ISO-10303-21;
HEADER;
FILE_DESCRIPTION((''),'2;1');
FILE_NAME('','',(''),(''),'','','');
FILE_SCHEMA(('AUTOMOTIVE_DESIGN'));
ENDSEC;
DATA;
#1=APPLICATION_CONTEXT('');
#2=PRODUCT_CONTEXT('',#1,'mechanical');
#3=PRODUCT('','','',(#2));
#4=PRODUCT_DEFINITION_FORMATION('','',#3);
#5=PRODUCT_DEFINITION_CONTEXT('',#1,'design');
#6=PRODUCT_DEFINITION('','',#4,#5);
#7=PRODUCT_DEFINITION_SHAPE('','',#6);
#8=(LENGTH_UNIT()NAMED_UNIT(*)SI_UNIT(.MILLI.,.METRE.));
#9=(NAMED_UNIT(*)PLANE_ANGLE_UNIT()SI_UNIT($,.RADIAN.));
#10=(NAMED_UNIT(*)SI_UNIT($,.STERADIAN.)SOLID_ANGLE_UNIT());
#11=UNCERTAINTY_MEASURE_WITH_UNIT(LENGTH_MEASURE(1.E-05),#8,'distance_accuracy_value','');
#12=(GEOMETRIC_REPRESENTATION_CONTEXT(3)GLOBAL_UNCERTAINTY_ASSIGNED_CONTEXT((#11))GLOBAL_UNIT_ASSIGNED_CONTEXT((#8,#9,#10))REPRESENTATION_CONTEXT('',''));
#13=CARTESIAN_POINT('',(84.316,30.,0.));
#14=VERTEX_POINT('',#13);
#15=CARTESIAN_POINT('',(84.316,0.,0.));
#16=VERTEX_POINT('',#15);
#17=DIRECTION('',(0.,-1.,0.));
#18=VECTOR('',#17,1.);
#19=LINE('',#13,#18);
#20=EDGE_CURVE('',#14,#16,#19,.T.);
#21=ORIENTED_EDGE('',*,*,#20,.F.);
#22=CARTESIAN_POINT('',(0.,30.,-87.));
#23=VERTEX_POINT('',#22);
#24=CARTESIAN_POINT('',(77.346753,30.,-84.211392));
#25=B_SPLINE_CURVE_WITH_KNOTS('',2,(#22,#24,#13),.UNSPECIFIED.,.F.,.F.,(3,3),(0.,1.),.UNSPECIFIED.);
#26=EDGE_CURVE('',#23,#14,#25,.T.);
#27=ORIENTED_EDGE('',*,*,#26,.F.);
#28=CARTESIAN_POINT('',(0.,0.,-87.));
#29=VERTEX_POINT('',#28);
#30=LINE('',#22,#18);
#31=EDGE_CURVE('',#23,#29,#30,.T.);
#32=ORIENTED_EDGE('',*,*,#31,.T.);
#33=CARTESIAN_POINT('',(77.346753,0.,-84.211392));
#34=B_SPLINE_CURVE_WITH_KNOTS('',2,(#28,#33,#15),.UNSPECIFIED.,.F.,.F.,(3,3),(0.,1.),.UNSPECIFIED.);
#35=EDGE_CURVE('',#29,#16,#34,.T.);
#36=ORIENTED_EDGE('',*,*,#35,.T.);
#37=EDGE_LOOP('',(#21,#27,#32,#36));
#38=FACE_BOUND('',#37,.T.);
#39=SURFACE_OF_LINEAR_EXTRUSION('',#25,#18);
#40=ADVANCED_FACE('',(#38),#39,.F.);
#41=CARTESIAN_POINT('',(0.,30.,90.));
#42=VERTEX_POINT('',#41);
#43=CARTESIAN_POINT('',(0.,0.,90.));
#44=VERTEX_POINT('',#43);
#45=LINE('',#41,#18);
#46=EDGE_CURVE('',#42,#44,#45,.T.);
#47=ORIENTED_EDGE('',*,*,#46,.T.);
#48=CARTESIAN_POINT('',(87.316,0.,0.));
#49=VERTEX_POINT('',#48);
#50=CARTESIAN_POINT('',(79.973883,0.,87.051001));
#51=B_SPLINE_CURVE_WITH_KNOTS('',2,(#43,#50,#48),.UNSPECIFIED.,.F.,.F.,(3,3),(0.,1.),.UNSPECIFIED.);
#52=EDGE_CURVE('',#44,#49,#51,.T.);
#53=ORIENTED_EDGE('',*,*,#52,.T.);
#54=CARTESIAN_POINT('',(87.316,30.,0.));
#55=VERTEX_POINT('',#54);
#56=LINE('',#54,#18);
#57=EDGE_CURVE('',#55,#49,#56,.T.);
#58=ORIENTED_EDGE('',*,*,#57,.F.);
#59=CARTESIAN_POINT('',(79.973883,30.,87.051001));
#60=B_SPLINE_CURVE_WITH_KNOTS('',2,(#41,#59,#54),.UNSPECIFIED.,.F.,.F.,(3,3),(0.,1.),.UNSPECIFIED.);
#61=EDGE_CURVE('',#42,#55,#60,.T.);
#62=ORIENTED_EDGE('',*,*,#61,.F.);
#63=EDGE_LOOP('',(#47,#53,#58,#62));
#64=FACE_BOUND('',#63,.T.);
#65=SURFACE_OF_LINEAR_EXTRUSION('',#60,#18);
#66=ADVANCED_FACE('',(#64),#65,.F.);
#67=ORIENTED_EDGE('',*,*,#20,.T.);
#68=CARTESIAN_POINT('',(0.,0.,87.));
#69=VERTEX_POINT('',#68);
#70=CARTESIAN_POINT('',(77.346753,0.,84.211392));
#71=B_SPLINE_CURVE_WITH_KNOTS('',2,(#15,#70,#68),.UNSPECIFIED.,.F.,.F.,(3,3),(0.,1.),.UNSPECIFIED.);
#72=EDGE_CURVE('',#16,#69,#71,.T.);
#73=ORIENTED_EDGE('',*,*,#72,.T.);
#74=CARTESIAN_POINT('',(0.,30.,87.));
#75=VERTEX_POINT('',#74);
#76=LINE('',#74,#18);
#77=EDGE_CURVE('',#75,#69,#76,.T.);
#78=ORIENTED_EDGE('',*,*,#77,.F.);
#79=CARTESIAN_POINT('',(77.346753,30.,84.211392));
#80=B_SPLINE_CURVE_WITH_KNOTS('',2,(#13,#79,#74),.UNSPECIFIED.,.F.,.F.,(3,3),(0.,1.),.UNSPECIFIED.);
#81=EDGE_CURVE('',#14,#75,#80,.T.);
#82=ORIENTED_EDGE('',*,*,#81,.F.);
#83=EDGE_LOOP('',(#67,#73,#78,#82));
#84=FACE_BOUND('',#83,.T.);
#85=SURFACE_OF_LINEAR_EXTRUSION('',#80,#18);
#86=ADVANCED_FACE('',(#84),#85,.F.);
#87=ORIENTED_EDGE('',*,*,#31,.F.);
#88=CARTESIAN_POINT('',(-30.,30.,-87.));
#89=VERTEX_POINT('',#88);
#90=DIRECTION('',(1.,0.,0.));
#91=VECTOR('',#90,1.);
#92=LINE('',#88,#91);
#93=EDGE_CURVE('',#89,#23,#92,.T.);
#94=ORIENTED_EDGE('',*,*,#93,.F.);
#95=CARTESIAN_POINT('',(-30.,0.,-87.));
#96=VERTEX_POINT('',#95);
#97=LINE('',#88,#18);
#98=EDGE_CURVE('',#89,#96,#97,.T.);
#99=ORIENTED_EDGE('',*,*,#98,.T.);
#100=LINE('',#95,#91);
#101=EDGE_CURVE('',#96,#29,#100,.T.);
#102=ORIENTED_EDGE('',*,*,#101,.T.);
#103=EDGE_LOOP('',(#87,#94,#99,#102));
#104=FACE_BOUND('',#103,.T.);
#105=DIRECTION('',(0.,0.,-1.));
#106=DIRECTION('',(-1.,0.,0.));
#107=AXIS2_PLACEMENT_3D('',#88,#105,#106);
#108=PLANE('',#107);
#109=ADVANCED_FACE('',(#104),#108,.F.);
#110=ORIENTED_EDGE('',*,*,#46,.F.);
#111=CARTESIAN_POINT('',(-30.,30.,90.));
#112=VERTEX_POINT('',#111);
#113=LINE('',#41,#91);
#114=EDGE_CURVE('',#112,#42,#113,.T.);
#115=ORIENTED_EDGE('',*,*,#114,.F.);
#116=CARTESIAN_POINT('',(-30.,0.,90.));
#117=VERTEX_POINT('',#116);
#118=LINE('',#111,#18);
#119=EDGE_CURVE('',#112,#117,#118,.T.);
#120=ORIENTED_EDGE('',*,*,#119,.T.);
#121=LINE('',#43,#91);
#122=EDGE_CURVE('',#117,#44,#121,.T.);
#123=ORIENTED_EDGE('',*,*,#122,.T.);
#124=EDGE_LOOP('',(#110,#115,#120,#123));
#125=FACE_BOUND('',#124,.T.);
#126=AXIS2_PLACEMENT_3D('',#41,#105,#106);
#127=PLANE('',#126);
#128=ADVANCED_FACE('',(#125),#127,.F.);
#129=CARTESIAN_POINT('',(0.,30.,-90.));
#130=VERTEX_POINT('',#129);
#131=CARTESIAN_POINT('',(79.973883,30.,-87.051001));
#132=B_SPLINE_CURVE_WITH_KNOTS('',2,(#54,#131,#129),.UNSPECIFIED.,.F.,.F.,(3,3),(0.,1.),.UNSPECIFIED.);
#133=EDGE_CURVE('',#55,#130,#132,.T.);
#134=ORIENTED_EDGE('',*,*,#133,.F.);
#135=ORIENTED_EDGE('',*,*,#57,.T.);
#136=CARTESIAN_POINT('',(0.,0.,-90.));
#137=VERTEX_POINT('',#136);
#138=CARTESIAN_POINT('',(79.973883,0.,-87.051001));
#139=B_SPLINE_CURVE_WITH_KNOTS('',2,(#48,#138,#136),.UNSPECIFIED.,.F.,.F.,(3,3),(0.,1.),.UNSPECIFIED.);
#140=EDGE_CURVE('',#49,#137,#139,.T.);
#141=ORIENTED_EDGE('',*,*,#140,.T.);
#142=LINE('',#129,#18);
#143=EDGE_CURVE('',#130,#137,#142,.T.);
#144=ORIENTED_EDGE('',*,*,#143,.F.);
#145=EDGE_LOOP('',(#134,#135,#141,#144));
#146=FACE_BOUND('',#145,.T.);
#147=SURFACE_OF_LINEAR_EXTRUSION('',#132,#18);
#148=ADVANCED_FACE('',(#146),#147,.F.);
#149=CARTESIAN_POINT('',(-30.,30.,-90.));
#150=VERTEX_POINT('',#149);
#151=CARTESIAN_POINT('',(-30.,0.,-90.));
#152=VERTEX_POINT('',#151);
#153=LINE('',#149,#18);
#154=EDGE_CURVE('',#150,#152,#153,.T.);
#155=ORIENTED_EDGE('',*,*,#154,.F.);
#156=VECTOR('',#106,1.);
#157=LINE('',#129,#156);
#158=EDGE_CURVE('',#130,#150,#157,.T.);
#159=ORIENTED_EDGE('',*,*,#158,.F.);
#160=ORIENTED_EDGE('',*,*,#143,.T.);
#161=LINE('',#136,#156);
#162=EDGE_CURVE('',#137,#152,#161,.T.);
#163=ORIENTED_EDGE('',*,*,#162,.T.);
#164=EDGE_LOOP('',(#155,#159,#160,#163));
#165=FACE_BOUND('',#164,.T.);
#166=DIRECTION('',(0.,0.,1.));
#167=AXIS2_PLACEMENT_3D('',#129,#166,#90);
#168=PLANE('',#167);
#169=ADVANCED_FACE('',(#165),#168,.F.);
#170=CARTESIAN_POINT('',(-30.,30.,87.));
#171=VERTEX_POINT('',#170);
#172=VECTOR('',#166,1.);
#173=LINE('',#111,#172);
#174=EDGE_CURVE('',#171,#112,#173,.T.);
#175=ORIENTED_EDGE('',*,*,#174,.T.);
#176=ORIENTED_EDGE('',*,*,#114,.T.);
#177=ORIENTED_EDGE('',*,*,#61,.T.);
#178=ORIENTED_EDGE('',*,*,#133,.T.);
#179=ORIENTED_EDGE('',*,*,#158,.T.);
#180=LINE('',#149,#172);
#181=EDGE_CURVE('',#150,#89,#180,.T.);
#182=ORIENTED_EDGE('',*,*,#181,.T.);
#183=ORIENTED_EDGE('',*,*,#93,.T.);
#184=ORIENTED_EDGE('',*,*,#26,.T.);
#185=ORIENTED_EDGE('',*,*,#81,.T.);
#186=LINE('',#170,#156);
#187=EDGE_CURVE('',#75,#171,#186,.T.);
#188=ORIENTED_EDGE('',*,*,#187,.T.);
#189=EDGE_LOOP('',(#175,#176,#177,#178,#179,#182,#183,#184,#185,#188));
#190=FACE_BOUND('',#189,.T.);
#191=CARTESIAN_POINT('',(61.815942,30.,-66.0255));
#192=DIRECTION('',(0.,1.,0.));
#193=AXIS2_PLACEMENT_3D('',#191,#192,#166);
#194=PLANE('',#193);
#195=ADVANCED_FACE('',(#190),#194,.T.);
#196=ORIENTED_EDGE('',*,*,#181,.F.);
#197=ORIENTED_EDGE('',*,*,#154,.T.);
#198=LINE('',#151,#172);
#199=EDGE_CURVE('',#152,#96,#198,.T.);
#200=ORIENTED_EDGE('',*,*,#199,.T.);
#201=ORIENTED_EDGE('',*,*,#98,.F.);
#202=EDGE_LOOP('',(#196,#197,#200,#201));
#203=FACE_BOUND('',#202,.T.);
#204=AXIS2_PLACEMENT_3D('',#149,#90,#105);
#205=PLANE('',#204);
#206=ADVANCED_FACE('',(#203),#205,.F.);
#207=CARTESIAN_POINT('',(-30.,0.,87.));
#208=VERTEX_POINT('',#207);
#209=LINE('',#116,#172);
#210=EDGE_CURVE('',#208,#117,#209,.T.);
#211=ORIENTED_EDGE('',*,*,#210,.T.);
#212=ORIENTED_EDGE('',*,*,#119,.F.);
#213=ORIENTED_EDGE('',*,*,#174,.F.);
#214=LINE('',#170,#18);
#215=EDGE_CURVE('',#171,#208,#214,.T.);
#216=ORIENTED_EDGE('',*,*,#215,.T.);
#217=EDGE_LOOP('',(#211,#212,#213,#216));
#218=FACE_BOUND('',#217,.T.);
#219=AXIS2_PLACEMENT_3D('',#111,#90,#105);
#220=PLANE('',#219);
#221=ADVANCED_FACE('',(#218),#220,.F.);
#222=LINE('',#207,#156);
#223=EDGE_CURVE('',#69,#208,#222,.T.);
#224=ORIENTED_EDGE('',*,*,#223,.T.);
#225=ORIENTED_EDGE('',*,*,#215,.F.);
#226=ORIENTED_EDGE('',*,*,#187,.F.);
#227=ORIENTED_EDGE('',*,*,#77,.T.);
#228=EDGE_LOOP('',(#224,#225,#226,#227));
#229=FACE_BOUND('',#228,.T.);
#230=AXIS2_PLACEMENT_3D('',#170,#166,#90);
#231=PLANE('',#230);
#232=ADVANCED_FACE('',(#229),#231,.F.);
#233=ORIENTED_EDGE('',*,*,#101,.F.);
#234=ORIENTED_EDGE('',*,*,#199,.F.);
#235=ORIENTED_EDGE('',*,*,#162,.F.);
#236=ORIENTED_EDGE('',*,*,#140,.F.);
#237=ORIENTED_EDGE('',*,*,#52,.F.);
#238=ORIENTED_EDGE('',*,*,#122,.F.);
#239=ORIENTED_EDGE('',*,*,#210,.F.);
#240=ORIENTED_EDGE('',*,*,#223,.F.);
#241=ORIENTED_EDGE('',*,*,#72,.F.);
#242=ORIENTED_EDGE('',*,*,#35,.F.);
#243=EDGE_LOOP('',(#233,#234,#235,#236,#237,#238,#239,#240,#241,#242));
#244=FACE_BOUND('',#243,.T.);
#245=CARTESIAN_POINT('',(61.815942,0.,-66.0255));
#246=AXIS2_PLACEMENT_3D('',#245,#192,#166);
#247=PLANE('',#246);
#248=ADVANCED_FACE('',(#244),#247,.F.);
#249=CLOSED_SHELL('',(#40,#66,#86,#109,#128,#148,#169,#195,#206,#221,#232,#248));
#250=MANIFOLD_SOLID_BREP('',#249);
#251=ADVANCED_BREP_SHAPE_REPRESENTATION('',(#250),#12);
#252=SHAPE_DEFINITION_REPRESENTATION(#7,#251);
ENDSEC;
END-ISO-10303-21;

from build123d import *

# Parameters (mm, degrees)
BOSS_EXTRUDE1_DEPTH = 30


with BuildPart() as part:
    # Sketch2 → Boss-Extrude1 (new body)
    with BuildSketch(Plane(origin=(0, 0, 0), x_dir=(1, 0, 0), z_dir=(0, 1, 0))):
        with BuildLine():
            Line((0, 90), (-30, 90))
            Line((-30, 90), (-30, 87))
            Line((-30, 87), (0, 87))
            add(Edge.make_bspline(
                [(0, 87), (77.34675255, 84.211391956), (84.31600038, 0)],
                knots=[0, 0, 0, 1, 1, 1], degree=2))
            add(Edge.make_bspline(
                [(0, -87), (77.34675255, -84.211391956), (84.31600038, 0)],
                knots=[0, 0, 0, 1, 1, 1], degree=2))
            Line((0, -87), (-30, -87))
            Line((-30, -87), (-30, -90))
            Line((-30, -90), (0, -90))
            add(Edge.make_bspline(
                [(0, -90), (79.973883015, -87.051000651), (87.31600038, 0)],
                knots=[0, 0, 0, 1, 1, 1], degree=2))
            add(Edge.make_bspline(
                [(0, 90), (79.973883015, 87.051000651), (87.31600038, 0)],
                knots=[0, 0, 0, 1, 1, 1], degree=2))
        make_face()
    extrude(amount=BOSS_EXTRUDE1_DEPTH)


solid = part.part
